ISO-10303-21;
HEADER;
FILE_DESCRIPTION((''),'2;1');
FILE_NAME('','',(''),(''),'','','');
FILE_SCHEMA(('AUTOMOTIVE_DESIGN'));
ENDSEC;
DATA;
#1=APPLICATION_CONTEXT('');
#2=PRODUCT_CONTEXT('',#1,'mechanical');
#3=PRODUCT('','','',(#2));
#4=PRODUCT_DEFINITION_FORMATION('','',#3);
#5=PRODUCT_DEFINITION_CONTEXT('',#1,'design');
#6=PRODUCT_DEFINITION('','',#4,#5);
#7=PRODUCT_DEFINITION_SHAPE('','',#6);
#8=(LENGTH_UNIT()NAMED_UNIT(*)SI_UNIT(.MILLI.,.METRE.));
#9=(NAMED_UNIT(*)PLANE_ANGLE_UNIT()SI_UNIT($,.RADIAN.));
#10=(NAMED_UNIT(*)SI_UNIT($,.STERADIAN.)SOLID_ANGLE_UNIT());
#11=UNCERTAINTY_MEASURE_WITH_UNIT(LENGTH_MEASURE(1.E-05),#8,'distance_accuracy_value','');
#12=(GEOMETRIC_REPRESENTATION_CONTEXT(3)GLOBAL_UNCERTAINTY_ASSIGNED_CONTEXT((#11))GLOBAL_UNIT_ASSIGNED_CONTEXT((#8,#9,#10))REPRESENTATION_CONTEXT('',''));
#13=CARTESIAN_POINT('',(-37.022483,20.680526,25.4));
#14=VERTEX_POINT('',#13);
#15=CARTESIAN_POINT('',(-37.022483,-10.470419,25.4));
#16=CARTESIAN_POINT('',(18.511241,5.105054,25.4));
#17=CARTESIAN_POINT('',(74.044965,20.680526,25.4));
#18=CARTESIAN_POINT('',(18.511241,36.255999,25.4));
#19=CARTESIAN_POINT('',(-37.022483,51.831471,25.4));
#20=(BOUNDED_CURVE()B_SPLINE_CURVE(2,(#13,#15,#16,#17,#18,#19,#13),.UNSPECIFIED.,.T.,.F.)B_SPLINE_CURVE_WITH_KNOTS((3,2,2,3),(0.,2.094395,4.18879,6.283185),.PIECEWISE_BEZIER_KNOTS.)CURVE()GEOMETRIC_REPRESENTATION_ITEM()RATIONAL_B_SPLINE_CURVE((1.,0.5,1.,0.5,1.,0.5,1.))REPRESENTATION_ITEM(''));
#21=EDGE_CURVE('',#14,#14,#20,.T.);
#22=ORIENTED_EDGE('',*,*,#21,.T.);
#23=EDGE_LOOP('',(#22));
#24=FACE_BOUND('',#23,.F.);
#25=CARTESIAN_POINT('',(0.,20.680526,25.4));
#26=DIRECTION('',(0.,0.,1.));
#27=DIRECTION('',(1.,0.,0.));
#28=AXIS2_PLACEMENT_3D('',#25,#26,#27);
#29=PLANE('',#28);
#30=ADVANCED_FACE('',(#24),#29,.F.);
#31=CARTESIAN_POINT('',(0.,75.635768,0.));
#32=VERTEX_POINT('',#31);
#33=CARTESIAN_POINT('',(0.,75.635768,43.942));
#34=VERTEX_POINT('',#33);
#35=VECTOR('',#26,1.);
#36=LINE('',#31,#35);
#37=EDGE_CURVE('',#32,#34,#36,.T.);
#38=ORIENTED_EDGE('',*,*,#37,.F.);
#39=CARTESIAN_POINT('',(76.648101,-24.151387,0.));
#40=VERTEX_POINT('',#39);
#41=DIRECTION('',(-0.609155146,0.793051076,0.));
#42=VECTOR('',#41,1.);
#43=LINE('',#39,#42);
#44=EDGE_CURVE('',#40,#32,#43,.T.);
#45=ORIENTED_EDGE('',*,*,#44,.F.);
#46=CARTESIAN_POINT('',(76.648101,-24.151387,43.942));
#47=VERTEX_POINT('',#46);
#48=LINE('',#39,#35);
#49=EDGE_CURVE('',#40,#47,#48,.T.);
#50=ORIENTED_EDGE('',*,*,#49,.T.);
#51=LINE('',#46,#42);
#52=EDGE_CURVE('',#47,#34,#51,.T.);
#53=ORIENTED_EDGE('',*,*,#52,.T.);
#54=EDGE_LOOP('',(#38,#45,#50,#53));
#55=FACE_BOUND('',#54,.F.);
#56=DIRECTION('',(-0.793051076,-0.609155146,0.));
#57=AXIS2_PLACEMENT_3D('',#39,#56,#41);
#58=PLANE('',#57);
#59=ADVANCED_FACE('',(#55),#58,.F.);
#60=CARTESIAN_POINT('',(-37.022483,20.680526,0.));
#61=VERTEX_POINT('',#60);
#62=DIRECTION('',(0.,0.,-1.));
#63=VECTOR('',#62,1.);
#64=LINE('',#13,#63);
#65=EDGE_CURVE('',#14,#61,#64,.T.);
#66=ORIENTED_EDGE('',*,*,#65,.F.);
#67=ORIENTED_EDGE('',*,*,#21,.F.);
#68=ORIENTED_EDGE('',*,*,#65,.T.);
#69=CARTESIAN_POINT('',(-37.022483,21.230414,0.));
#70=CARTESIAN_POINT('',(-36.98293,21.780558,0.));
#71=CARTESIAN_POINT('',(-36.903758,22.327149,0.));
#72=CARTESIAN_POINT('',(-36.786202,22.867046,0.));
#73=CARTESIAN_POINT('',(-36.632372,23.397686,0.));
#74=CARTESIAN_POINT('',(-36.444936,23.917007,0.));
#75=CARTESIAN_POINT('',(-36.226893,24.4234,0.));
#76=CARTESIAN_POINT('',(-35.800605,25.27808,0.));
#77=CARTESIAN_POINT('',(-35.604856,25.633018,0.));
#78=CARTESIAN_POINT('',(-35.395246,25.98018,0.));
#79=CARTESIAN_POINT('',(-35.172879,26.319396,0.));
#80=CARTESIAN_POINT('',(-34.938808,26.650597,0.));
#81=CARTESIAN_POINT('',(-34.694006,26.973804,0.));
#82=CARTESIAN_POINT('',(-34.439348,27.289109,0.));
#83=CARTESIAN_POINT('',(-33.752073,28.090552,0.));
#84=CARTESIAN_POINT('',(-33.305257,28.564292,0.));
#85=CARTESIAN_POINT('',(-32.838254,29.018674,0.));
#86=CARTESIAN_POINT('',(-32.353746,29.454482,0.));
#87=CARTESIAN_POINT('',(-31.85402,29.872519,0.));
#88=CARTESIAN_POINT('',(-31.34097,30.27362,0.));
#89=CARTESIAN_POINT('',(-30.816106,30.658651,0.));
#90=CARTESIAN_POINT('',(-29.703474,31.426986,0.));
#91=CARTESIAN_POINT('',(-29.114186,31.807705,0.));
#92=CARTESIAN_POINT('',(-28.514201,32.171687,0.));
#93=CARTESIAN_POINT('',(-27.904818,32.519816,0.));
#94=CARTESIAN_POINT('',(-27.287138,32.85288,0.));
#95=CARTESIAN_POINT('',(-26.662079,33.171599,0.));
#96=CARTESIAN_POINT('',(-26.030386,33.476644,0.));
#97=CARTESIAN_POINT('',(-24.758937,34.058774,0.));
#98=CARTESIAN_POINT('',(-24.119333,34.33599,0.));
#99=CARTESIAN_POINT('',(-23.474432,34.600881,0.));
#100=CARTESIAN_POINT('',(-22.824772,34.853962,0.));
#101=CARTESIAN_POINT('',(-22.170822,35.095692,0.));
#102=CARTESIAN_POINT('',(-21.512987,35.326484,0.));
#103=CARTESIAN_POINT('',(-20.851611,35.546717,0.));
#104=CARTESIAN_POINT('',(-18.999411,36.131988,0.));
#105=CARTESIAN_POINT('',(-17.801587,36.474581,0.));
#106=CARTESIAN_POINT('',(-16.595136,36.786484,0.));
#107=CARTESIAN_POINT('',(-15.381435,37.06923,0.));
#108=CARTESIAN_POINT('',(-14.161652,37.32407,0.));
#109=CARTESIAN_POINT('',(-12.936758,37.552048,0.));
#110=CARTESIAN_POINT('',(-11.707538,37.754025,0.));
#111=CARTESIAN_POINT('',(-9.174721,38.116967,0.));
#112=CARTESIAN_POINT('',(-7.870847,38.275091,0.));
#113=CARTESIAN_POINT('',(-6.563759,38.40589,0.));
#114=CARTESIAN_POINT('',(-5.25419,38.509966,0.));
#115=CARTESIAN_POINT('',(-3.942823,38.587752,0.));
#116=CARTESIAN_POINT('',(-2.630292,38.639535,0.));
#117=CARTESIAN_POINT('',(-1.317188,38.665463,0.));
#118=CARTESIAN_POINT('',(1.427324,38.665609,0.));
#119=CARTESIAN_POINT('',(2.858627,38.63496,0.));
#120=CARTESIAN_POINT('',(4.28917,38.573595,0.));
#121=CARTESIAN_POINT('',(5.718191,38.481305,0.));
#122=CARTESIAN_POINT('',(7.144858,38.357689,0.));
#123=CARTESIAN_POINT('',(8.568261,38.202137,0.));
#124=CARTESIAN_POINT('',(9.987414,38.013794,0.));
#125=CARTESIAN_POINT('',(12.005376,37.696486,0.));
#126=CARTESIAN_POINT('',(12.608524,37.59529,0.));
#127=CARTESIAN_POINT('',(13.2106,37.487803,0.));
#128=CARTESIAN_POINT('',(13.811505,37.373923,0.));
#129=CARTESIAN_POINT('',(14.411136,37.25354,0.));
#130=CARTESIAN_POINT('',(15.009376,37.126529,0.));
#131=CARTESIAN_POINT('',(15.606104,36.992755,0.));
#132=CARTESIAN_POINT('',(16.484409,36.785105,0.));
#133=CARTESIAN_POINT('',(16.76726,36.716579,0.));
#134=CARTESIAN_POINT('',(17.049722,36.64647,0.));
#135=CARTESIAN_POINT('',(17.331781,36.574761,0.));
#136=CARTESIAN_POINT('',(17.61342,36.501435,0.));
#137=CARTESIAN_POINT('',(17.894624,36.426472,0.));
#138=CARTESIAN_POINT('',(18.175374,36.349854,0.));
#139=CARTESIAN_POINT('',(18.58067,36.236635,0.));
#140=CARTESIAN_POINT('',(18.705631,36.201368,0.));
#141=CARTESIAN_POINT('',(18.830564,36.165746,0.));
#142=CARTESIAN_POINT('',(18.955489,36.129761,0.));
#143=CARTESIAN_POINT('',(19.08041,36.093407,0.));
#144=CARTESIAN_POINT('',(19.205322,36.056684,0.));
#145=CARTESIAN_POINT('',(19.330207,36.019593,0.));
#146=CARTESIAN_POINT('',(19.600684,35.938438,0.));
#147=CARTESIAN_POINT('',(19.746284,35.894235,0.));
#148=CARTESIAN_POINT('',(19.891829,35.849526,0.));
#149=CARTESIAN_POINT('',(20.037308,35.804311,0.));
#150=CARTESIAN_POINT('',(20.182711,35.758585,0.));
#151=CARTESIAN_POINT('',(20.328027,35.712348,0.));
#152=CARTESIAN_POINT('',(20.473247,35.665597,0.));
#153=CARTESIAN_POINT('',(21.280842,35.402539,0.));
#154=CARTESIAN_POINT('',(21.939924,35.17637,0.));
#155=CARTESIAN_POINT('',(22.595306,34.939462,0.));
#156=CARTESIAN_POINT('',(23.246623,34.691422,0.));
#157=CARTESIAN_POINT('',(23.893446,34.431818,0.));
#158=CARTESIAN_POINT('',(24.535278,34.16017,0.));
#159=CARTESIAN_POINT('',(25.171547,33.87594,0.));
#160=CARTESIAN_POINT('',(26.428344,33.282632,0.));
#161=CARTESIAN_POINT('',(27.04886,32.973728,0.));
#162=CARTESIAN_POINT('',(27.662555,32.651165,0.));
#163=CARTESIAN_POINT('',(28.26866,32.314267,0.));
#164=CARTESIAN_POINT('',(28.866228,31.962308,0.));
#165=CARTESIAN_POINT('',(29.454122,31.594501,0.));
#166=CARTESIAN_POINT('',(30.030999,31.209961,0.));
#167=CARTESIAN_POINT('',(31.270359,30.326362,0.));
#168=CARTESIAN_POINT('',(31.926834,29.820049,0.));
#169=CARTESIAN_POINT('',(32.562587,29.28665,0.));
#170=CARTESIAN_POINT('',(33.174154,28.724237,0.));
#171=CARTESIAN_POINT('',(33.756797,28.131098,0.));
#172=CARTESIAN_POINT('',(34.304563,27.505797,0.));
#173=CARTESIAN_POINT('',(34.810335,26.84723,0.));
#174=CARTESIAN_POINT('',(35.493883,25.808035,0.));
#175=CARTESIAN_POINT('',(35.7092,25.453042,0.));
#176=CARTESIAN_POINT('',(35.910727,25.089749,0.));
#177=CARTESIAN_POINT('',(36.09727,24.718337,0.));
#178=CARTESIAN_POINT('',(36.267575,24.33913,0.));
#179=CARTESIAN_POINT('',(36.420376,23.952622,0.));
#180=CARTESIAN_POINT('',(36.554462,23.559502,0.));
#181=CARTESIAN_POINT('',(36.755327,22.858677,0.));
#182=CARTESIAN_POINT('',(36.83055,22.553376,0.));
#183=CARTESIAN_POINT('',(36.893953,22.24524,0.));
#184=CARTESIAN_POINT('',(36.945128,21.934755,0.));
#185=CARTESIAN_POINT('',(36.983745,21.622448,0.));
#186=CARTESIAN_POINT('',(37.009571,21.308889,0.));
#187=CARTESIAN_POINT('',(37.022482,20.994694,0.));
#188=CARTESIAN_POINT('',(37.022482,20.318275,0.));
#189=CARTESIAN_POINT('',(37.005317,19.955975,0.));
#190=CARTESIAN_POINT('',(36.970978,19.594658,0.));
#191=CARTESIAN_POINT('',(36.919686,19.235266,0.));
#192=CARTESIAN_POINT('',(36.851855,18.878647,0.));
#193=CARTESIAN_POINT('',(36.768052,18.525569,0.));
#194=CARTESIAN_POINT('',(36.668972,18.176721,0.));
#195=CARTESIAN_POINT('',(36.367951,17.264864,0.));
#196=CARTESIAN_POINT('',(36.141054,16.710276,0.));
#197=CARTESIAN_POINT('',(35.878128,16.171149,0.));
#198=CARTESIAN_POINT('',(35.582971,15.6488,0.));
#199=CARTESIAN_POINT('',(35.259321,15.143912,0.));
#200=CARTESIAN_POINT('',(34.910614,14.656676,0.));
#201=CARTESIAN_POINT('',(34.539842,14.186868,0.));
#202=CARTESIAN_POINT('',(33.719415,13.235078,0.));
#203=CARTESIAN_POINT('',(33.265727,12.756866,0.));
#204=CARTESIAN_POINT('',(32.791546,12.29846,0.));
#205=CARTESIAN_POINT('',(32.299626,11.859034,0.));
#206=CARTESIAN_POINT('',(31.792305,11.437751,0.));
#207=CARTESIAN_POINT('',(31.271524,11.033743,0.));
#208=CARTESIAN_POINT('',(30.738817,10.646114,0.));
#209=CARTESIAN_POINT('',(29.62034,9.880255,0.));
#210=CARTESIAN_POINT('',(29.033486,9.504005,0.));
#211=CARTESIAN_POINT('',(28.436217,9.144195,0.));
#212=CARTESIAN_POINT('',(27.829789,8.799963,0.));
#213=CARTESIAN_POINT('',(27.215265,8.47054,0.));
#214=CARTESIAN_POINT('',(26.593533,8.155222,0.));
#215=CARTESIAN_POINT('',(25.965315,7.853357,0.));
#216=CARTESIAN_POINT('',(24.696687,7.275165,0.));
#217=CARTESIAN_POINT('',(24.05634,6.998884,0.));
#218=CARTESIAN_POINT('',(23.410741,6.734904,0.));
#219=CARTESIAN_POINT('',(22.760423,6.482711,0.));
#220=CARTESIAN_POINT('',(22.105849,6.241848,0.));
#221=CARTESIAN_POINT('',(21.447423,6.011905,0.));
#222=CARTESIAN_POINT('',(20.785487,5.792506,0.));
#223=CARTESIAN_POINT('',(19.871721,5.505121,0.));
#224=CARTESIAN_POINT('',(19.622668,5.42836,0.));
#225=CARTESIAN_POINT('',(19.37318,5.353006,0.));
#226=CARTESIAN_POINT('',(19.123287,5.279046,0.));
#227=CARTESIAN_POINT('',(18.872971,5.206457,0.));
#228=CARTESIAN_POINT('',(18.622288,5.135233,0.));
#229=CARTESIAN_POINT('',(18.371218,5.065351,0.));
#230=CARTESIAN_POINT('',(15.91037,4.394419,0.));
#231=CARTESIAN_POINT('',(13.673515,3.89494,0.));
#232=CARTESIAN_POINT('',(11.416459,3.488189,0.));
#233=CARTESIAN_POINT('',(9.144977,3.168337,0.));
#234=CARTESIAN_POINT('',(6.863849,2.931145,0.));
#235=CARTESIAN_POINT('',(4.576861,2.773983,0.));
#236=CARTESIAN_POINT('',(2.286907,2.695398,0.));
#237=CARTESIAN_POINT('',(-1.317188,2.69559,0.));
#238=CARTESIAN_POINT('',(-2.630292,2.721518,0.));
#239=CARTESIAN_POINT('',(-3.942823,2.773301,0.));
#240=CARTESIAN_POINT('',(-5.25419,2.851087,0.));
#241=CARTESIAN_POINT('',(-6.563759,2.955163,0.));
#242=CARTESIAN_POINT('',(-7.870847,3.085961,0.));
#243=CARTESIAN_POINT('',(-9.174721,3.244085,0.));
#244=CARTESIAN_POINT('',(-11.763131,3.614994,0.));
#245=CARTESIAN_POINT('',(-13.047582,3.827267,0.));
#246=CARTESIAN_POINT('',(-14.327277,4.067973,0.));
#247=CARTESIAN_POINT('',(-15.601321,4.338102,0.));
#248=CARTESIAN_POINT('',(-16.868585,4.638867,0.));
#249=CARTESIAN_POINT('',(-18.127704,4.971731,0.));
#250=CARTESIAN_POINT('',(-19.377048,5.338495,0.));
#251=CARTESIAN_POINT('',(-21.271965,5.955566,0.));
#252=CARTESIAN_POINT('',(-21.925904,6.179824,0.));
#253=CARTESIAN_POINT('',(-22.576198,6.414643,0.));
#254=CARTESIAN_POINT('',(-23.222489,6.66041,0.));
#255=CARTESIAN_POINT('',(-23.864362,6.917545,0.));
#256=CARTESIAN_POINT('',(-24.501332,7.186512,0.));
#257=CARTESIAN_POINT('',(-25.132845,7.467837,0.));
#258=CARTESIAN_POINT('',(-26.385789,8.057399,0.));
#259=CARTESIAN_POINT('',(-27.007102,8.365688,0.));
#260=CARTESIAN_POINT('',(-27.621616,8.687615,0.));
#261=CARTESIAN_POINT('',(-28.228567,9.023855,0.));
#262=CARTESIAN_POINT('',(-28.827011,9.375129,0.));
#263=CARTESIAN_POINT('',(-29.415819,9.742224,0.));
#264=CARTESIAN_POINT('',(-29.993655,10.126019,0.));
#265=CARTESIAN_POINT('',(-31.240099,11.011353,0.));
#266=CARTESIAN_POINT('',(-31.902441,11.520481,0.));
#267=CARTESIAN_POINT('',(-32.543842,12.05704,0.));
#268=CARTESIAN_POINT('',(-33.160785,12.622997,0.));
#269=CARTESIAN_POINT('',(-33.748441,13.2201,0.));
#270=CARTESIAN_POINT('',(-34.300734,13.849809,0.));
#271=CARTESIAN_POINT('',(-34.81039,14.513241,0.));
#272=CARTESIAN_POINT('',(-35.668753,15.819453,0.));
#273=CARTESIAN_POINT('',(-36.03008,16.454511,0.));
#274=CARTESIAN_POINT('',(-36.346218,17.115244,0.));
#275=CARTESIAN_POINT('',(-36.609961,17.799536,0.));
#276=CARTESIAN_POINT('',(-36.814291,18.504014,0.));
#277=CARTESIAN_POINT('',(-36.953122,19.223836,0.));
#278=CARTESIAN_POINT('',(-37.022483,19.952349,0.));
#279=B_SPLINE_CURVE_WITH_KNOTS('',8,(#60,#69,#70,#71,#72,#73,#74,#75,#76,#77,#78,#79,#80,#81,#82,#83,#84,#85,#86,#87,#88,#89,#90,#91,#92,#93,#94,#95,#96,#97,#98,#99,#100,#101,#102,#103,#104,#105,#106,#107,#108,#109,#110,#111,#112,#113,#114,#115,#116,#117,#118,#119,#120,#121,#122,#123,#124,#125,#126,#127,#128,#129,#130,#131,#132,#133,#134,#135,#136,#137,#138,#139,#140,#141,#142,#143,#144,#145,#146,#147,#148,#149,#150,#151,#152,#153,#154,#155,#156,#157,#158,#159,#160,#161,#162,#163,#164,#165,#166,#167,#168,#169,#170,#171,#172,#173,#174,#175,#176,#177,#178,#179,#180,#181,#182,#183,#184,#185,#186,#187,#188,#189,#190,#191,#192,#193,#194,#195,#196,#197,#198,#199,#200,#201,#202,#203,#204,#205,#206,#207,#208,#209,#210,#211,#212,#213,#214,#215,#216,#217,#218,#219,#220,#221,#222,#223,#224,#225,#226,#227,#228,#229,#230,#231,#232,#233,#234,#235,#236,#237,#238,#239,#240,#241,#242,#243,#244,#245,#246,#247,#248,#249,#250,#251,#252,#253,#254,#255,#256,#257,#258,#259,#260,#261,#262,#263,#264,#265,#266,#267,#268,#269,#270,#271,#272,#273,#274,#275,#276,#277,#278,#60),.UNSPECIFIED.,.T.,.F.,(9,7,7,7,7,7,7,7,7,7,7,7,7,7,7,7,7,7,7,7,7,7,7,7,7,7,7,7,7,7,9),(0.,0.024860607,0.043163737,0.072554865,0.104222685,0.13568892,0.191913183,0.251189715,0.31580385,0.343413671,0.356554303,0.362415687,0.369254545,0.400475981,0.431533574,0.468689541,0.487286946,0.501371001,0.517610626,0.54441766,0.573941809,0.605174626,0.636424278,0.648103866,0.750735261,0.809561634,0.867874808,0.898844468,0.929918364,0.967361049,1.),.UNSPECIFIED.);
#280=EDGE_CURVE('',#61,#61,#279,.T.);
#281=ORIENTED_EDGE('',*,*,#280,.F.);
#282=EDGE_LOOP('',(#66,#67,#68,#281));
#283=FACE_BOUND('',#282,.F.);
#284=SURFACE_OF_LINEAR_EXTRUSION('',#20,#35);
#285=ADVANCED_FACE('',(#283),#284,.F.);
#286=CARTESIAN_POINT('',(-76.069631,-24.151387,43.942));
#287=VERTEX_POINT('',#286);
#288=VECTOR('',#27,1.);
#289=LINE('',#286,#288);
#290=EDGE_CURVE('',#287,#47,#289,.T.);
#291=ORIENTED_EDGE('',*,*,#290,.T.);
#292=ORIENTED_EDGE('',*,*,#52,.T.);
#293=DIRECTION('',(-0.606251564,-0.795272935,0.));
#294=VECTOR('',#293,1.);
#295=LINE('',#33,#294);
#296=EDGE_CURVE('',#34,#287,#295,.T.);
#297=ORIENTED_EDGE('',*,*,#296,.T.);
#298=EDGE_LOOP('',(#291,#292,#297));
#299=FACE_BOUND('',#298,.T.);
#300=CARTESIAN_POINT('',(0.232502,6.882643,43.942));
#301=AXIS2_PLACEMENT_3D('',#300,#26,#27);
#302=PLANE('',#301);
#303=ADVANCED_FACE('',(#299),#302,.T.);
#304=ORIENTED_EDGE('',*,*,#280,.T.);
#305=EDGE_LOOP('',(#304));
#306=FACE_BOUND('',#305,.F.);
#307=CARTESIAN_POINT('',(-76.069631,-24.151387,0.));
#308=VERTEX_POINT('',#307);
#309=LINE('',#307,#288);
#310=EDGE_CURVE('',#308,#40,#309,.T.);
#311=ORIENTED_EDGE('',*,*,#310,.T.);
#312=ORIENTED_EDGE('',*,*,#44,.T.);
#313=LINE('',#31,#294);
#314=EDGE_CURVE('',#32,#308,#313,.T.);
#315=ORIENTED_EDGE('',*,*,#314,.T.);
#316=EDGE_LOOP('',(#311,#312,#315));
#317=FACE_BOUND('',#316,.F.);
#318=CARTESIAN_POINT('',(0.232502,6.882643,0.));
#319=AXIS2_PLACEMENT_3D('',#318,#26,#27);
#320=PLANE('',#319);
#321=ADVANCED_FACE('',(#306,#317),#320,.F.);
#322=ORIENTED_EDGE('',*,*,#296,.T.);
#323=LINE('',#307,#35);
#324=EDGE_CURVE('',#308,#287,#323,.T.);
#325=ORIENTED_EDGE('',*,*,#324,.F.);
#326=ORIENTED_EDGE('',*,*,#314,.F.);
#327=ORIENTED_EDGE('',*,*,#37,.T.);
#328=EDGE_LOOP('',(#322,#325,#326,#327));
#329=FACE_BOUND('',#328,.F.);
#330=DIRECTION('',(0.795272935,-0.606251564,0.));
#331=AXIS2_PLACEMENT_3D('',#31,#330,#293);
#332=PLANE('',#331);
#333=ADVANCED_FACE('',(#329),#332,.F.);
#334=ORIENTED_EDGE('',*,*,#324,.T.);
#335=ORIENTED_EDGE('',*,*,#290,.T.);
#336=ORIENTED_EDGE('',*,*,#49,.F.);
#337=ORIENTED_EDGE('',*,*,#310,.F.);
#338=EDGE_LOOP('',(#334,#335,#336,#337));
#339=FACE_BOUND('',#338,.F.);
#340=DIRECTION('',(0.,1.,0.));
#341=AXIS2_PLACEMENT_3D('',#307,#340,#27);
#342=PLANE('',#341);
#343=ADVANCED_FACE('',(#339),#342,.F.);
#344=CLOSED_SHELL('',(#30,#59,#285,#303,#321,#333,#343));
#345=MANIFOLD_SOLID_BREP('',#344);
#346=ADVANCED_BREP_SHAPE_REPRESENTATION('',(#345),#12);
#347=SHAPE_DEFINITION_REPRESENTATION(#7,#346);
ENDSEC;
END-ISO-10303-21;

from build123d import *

# Parameters (mm, degrees)
F1_DEPTH = 43.942
F4_DEPTH = 254


with BuildPart() as f1:
    # F0 (on Top) → F1 (new body)
    with BuildSketch(Plane.XY):
        Polygon((0, 75.635768), (-76.069631, -24.151387), (76.648101, -24.151387), align=None)
    extrude(amount=F1_DEPTH)

    # F3 (on offset) → F4 (cut)
    with BuildSketch(Plane.XY.offset(25.4)):
        with BuildLine():
            add(Edge.make_bspline(
                [(-37.022483, 20.680526), (-37.022483, -10.470419), (18.511241, 5.105054), (74.044965, 20.680526), (18.511241, 36.255999), (-37.022483, 51.831471), (-37.022483, 20.680526)],
                knots=[0, 0, 0, 2.094395, 2.094395, 4.18879, 4.18879, 6.283185, 6.283185, 6.283185], degree=2, weights=[1, 0.5, 1, 0.5, 1, 0.5, 1]))
        make_face()
    extrude(amount=-F4_DEPTH, mode=Mode.SUBTRACT)


solid = f1.part
